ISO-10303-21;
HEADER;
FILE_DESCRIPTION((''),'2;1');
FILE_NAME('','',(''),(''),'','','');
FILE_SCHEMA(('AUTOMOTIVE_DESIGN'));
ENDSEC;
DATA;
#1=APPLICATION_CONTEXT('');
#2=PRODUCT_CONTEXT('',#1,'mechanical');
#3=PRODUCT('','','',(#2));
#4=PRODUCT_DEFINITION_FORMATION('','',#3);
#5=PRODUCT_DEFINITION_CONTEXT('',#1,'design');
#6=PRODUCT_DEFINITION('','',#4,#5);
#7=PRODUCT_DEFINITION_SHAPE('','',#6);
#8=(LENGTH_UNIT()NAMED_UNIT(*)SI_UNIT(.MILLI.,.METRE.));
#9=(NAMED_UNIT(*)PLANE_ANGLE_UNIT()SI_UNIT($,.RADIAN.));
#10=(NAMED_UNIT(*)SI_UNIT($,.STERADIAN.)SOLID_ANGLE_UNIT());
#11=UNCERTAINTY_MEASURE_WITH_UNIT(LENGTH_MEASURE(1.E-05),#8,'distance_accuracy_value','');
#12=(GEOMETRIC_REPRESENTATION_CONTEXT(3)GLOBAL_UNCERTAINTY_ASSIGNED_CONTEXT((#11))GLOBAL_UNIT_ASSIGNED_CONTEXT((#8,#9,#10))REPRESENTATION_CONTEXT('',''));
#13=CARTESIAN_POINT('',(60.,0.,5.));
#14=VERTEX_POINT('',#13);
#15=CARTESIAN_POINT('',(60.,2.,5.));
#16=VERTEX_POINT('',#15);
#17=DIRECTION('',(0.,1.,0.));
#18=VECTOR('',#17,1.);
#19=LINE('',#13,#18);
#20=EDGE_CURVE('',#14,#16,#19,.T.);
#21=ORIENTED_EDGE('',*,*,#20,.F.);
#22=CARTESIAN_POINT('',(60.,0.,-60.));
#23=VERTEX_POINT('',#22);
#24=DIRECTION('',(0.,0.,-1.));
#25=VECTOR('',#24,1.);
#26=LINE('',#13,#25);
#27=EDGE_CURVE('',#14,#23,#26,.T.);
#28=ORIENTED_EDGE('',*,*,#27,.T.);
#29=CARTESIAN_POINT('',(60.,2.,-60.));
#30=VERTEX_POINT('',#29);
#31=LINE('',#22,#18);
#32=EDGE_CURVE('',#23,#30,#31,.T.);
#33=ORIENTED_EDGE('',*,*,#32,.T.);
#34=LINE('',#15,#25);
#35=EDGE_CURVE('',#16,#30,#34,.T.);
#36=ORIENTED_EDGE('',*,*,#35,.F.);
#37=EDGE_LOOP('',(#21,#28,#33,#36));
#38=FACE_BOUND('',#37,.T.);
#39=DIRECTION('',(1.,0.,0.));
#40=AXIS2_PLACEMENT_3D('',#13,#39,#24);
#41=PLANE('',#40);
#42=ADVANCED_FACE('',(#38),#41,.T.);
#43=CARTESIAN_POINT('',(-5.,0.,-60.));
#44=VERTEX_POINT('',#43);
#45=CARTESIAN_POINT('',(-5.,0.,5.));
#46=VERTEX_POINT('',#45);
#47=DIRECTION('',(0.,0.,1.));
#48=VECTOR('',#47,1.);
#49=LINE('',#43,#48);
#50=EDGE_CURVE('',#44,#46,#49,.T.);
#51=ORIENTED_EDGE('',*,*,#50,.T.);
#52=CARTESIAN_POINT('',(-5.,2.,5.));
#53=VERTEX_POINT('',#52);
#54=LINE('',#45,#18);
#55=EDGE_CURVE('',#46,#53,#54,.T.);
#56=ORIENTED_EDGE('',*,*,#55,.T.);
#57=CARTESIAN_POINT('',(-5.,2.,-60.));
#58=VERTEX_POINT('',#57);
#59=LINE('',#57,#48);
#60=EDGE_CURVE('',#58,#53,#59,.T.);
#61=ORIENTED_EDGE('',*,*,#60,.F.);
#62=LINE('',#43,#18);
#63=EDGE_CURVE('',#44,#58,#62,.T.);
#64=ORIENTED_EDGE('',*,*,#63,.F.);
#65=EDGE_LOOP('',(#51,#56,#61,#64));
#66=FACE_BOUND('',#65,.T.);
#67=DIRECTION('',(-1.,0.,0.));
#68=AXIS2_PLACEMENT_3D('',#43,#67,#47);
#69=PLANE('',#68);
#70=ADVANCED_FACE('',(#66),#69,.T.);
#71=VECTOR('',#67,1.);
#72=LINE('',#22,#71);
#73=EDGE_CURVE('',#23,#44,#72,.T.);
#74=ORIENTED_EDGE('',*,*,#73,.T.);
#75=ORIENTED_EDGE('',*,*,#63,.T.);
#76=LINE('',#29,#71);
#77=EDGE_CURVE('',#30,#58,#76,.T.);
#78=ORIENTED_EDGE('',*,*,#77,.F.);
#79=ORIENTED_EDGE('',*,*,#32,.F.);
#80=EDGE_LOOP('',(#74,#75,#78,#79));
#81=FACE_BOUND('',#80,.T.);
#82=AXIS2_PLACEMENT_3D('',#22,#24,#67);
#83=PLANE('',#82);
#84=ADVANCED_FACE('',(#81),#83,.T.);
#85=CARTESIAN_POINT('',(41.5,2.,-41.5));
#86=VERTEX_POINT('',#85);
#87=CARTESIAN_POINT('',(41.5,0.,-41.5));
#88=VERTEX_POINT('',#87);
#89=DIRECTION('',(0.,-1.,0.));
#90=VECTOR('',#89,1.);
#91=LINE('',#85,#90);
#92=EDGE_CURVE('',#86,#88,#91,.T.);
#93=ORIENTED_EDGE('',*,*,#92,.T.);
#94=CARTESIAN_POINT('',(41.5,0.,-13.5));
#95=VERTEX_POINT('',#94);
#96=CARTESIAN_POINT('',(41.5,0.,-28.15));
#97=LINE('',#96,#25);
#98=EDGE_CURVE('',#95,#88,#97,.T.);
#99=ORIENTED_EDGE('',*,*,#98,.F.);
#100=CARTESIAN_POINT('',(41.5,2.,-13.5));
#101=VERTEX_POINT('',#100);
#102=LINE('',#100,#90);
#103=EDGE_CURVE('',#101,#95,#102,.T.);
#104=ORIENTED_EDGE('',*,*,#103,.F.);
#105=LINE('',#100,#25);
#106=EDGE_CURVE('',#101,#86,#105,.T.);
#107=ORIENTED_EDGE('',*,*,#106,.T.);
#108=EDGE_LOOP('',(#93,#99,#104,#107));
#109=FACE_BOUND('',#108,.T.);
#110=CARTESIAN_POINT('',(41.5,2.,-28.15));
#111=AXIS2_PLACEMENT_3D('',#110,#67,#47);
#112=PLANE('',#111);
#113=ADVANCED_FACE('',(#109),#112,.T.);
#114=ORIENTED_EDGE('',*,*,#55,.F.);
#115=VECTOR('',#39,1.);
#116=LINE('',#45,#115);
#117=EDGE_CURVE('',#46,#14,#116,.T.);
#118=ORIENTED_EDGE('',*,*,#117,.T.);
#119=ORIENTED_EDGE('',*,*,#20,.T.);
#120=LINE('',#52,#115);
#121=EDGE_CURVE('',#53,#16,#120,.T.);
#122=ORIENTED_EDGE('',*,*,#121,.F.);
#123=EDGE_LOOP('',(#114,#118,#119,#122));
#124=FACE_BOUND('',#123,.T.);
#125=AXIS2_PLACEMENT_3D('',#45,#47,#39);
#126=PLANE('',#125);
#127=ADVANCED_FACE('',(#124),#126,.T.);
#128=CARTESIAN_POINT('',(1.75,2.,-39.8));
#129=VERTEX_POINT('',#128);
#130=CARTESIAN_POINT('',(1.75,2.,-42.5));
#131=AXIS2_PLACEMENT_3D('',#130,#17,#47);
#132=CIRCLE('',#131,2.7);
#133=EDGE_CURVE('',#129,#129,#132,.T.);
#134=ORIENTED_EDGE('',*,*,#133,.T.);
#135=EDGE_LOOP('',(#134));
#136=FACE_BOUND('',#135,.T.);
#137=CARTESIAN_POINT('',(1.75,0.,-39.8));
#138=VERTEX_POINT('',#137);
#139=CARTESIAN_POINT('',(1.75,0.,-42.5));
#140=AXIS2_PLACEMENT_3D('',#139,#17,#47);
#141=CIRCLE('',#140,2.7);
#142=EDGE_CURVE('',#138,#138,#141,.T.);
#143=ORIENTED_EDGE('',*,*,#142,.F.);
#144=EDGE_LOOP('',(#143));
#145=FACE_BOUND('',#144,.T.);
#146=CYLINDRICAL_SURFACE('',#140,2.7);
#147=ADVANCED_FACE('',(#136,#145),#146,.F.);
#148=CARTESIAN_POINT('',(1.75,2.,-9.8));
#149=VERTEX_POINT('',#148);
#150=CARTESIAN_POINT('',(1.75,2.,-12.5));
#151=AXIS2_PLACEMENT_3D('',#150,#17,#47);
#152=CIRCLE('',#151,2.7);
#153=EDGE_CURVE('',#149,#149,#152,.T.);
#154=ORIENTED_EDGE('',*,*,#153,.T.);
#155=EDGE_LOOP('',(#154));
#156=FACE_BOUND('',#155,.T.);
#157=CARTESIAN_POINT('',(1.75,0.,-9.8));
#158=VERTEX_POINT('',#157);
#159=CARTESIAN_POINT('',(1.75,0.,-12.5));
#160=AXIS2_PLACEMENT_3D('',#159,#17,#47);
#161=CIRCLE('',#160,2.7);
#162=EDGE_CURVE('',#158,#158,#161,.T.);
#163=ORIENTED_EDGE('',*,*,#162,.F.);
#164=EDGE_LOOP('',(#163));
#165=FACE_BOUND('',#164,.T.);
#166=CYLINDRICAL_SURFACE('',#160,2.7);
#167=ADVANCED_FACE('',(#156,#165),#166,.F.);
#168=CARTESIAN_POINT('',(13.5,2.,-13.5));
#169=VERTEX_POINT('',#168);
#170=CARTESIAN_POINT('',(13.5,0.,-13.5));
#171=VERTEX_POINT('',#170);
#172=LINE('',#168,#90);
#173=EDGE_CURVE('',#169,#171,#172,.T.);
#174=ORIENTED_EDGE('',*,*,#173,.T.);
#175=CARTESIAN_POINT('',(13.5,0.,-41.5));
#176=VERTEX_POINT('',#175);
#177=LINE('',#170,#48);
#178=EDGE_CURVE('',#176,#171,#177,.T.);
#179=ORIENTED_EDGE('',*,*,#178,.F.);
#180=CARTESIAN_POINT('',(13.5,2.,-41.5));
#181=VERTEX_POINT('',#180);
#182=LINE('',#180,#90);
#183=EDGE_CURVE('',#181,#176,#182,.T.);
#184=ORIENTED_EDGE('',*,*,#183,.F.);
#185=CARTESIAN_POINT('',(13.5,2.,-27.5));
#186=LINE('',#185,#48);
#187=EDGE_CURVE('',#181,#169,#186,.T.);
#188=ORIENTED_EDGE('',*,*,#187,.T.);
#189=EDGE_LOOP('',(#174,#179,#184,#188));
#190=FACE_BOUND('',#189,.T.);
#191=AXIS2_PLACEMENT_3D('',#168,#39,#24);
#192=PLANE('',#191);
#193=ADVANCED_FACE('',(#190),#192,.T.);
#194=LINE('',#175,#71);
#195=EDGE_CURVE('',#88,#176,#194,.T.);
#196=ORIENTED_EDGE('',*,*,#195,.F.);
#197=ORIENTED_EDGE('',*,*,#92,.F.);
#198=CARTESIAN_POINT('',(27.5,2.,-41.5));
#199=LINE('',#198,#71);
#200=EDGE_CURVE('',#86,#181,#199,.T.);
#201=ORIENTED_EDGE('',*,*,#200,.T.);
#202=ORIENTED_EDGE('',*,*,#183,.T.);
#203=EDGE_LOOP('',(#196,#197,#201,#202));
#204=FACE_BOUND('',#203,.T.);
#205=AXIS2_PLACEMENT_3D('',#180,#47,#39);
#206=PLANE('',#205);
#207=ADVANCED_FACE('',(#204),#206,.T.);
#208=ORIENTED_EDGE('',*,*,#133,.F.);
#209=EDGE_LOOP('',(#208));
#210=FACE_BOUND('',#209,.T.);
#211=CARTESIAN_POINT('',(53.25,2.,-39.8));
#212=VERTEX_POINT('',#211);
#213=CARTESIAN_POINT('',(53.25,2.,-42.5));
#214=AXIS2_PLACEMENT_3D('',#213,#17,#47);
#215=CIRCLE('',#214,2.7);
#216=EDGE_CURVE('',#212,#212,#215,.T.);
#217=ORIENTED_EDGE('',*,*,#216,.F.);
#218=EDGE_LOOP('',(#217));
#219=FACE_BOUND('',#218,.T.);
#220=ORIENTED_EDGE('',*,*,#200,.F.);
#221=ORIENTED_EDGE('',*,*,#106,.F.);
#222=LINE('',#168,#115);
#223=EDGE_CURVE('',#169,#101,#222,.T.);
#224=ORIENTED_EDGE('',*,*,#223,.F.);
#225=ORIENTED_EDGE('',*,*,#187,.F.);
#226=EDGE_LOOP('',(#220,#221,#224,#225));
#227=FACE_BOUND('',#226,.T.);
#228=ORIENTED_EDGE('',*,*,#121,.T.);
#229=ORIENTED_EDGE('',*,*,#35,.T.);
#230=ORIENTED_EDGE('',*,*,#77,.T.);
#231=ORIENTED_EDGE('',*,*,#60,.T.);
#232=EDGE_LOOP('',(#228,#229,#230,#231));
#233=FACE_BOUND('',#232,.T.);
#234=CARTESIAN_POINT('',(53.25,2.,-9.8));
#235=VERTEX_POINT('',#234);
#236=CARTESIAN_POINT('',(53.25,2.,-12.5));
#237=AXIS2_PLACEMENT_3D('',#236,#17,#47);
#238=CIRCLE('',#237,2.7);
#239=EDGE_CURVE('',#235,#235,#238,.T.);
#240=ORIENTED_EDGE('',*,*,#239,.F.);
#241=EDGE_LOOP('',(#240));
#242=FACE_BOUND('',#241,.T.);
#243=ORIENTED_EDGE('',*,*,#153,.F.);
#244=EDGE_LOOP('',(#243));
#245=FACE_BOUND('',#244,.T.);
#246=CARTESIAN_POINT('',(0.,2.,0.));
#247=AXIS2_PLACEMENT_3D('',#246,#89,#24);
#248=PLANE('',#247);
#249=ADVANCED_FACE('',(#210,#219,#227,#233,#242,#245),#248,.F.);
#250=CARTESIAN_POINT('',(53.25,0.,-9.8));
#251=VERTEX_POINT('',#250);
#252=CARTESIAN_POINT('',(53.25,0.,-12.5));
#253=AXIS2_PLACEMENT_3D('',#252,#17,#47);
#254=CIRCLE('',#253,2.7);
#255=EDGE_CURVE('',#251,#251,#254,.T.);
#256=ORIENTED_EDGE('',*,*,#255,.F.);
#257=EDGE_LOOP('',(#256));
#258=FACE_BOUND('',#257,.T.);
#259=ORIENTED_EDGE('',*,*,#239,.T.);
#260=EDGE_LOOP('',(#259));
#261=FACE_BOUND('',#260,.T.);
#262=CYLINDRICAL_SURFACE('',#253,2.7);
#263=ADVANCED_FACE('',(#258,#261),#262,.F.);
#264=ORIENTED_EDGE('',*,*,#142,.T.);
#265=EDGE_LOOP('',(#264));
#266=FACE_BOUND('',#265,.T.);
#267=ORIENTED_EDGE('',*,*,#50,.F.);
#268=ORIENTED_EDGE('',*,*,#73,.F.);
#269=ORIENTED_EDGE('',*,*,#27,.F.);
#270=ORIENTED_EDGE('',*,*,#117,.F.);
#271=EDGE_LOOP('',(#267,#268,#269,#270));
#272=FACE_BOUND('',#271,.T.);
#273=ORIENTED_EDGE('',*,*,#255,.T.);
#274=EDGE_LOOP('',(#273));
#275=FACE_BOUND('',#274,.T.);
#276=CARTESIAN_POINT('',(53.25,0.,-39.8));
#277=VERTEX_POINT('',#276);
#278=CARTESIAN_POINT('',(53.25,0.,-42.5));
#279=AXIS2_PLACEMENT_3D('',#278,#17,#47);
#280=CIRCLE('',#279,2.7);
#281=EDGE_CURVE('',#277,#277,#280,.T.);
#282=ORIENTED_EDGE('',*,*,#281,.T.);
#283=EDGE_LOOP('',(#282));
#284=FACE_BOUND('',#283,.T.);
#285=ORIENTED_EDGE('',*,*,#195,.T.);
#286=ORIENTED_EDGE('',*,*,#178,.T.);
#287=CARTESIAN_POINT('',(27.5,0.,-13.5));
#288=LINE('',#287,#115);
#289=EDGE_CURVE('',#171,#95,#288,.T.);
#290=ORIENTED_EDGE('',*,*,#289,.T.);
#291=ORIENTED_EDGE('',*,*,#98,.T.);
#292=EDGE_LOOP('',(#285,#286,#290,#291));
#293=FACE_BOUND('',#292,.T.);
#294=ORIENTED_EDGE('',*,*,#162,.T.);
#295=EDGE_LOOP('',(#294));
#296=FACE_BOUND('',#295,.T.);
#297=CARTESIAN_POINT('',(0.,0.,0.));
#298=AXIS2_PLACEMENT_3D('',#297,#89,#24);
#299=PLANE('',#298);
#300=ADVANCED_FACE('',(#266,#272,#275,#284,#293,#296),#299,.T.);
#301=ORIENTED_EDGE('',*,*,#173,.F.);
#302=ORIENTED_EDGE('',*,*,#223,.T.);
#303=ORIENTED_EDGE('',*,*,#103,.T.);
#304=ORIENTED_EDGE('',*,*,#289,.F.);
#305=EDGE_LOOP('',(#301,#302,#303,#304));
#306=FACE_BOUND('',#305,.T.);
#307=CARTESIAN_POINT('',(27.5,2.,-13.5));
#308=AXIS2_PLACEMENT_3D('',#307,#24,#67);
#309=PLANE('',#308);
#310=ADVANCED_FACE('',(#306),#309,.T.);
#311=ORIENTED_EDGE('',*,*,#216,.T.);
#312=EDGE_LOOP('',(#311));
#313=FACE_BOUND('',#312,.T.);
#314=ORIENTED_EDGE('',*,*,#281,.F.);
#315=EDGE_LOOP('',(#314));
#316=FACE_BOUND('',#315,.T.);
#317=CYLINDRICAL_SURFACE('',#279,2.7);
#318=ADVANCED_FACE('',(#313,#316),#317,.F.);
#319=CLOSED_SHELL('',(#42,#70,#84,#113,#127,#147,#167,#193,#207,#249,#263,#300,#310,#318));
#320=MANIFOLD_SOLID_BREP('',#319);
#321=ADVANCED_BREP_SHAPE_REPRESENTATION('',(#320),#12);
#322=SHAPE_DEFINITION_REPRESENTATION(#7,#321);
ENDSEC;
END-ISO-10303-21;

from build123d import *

# Parameters (mm, degrees)
CROQUIS1_W              = 55
CROQUIS1_H              = 55
CROQUIS1_R              = 1.5
SALIENTE_EXTRUIR1_DEPTH = 2
CROQUIS3_W              = 65
CROQUIS3_H              = 65
CROQUIS3_W_2            = 55
CROQUIS3_H_2            = 55
SALIENTE_EXTRUIR2_DEPTH = 2
CROQUIS4_R              = 2.7
CORTAR_EXTRUIR1_DEPTH   = 2


with BuildPart() as part:
    # Croquis1 → Saliente-Extruir1 (new body)
    with BuildSketch(Plane(origin=(0, 0, 0), x_dir=(1, 0, 0), z_dir=(0, 1, 0))):
        with Locations((27.5, 27.5)):
            Rectangle(CROQUIS1_W, CROQUIS1_H)
        with Locations(Location((1.75, 42.5, 0), (0, 0, 270))):
            Circle(CROQUIS1_R, mode=Mode.SUBTRACT)
        with Locations(Location((1.75, 12.5, 0), (0, 0, 270))):
            Circle(CROQUIS1_R, mode=Mode.SUBTRACT)
        with Locations(Location((53.25, 42.5, 0), (0, 0, 90))):
            Circle(CROQUIS1_R, mode=Mode.SUBTRACT)
        with Locations(Location((53.25, 12.5, 0), (0, 0, 90))):
            Circle(CROQUIS1_R, mode=Mode.SUBTRACT)
        Polygon((13.5, 13.5), (27.5, 13.5), (41.5, 13.5), (41.5, 28.15), (41.5, 41.5), (27.5, 41.5), (13.5, 41.5), (13.5, 27.5), align=None, mode=Mode.SUBTRACT)
    extrude(amount=SALIENTE_EXTRUIR1_DEPTH)

    # Croquis3 → Saliente-Extruir2 (add)
    with BuildSketch(Plane(origin=(0, 2, 0), x_dir=(1, 0, 0), z_dir=(0, 1, 0))):
        with Locations((27.5, 27.5)):
            Rectangle(CROQUIS3_W, CROQUIS3_H)
        with Locations((27.5, 27.5)):
            Rectangle(CROQUIS3_W_2, CROQUIS3_H_2, mode=Mode.SUBTRACT)
    extrude(amount=-SALIENTE_EXTRUIR2_DEPTH)

    # Croquis4 → Cortar-Extruir1 (cut)
    with BuildSketch(Plane(origin=(0, 2, 0), x_dir=(1, 0, 0), z_dir=(0, 1, 0))):
        with Locations(Location((53.25, 42.5, 0), (0, 0, 270))):
            Circle(CROQUIS4_R)
        with Locations(Location((53.25, 12.5, 0), (0, 0, 270))):
            Circle(CROQUIS4_R)
        with Locations(Location((1.75, 12.5, 0), (0, 0, 270))):
            Circle(CROQUIS4_R)
        with Locations(Location((1.75, 42.5, 0), (0, 0, 270))):
            Circle(CROQUIS4_R)
    extrude(amount=-CORTAR_EXTRUIR1_DEPTH, mode=Mode.SUBTRACT)


solid = part.part
